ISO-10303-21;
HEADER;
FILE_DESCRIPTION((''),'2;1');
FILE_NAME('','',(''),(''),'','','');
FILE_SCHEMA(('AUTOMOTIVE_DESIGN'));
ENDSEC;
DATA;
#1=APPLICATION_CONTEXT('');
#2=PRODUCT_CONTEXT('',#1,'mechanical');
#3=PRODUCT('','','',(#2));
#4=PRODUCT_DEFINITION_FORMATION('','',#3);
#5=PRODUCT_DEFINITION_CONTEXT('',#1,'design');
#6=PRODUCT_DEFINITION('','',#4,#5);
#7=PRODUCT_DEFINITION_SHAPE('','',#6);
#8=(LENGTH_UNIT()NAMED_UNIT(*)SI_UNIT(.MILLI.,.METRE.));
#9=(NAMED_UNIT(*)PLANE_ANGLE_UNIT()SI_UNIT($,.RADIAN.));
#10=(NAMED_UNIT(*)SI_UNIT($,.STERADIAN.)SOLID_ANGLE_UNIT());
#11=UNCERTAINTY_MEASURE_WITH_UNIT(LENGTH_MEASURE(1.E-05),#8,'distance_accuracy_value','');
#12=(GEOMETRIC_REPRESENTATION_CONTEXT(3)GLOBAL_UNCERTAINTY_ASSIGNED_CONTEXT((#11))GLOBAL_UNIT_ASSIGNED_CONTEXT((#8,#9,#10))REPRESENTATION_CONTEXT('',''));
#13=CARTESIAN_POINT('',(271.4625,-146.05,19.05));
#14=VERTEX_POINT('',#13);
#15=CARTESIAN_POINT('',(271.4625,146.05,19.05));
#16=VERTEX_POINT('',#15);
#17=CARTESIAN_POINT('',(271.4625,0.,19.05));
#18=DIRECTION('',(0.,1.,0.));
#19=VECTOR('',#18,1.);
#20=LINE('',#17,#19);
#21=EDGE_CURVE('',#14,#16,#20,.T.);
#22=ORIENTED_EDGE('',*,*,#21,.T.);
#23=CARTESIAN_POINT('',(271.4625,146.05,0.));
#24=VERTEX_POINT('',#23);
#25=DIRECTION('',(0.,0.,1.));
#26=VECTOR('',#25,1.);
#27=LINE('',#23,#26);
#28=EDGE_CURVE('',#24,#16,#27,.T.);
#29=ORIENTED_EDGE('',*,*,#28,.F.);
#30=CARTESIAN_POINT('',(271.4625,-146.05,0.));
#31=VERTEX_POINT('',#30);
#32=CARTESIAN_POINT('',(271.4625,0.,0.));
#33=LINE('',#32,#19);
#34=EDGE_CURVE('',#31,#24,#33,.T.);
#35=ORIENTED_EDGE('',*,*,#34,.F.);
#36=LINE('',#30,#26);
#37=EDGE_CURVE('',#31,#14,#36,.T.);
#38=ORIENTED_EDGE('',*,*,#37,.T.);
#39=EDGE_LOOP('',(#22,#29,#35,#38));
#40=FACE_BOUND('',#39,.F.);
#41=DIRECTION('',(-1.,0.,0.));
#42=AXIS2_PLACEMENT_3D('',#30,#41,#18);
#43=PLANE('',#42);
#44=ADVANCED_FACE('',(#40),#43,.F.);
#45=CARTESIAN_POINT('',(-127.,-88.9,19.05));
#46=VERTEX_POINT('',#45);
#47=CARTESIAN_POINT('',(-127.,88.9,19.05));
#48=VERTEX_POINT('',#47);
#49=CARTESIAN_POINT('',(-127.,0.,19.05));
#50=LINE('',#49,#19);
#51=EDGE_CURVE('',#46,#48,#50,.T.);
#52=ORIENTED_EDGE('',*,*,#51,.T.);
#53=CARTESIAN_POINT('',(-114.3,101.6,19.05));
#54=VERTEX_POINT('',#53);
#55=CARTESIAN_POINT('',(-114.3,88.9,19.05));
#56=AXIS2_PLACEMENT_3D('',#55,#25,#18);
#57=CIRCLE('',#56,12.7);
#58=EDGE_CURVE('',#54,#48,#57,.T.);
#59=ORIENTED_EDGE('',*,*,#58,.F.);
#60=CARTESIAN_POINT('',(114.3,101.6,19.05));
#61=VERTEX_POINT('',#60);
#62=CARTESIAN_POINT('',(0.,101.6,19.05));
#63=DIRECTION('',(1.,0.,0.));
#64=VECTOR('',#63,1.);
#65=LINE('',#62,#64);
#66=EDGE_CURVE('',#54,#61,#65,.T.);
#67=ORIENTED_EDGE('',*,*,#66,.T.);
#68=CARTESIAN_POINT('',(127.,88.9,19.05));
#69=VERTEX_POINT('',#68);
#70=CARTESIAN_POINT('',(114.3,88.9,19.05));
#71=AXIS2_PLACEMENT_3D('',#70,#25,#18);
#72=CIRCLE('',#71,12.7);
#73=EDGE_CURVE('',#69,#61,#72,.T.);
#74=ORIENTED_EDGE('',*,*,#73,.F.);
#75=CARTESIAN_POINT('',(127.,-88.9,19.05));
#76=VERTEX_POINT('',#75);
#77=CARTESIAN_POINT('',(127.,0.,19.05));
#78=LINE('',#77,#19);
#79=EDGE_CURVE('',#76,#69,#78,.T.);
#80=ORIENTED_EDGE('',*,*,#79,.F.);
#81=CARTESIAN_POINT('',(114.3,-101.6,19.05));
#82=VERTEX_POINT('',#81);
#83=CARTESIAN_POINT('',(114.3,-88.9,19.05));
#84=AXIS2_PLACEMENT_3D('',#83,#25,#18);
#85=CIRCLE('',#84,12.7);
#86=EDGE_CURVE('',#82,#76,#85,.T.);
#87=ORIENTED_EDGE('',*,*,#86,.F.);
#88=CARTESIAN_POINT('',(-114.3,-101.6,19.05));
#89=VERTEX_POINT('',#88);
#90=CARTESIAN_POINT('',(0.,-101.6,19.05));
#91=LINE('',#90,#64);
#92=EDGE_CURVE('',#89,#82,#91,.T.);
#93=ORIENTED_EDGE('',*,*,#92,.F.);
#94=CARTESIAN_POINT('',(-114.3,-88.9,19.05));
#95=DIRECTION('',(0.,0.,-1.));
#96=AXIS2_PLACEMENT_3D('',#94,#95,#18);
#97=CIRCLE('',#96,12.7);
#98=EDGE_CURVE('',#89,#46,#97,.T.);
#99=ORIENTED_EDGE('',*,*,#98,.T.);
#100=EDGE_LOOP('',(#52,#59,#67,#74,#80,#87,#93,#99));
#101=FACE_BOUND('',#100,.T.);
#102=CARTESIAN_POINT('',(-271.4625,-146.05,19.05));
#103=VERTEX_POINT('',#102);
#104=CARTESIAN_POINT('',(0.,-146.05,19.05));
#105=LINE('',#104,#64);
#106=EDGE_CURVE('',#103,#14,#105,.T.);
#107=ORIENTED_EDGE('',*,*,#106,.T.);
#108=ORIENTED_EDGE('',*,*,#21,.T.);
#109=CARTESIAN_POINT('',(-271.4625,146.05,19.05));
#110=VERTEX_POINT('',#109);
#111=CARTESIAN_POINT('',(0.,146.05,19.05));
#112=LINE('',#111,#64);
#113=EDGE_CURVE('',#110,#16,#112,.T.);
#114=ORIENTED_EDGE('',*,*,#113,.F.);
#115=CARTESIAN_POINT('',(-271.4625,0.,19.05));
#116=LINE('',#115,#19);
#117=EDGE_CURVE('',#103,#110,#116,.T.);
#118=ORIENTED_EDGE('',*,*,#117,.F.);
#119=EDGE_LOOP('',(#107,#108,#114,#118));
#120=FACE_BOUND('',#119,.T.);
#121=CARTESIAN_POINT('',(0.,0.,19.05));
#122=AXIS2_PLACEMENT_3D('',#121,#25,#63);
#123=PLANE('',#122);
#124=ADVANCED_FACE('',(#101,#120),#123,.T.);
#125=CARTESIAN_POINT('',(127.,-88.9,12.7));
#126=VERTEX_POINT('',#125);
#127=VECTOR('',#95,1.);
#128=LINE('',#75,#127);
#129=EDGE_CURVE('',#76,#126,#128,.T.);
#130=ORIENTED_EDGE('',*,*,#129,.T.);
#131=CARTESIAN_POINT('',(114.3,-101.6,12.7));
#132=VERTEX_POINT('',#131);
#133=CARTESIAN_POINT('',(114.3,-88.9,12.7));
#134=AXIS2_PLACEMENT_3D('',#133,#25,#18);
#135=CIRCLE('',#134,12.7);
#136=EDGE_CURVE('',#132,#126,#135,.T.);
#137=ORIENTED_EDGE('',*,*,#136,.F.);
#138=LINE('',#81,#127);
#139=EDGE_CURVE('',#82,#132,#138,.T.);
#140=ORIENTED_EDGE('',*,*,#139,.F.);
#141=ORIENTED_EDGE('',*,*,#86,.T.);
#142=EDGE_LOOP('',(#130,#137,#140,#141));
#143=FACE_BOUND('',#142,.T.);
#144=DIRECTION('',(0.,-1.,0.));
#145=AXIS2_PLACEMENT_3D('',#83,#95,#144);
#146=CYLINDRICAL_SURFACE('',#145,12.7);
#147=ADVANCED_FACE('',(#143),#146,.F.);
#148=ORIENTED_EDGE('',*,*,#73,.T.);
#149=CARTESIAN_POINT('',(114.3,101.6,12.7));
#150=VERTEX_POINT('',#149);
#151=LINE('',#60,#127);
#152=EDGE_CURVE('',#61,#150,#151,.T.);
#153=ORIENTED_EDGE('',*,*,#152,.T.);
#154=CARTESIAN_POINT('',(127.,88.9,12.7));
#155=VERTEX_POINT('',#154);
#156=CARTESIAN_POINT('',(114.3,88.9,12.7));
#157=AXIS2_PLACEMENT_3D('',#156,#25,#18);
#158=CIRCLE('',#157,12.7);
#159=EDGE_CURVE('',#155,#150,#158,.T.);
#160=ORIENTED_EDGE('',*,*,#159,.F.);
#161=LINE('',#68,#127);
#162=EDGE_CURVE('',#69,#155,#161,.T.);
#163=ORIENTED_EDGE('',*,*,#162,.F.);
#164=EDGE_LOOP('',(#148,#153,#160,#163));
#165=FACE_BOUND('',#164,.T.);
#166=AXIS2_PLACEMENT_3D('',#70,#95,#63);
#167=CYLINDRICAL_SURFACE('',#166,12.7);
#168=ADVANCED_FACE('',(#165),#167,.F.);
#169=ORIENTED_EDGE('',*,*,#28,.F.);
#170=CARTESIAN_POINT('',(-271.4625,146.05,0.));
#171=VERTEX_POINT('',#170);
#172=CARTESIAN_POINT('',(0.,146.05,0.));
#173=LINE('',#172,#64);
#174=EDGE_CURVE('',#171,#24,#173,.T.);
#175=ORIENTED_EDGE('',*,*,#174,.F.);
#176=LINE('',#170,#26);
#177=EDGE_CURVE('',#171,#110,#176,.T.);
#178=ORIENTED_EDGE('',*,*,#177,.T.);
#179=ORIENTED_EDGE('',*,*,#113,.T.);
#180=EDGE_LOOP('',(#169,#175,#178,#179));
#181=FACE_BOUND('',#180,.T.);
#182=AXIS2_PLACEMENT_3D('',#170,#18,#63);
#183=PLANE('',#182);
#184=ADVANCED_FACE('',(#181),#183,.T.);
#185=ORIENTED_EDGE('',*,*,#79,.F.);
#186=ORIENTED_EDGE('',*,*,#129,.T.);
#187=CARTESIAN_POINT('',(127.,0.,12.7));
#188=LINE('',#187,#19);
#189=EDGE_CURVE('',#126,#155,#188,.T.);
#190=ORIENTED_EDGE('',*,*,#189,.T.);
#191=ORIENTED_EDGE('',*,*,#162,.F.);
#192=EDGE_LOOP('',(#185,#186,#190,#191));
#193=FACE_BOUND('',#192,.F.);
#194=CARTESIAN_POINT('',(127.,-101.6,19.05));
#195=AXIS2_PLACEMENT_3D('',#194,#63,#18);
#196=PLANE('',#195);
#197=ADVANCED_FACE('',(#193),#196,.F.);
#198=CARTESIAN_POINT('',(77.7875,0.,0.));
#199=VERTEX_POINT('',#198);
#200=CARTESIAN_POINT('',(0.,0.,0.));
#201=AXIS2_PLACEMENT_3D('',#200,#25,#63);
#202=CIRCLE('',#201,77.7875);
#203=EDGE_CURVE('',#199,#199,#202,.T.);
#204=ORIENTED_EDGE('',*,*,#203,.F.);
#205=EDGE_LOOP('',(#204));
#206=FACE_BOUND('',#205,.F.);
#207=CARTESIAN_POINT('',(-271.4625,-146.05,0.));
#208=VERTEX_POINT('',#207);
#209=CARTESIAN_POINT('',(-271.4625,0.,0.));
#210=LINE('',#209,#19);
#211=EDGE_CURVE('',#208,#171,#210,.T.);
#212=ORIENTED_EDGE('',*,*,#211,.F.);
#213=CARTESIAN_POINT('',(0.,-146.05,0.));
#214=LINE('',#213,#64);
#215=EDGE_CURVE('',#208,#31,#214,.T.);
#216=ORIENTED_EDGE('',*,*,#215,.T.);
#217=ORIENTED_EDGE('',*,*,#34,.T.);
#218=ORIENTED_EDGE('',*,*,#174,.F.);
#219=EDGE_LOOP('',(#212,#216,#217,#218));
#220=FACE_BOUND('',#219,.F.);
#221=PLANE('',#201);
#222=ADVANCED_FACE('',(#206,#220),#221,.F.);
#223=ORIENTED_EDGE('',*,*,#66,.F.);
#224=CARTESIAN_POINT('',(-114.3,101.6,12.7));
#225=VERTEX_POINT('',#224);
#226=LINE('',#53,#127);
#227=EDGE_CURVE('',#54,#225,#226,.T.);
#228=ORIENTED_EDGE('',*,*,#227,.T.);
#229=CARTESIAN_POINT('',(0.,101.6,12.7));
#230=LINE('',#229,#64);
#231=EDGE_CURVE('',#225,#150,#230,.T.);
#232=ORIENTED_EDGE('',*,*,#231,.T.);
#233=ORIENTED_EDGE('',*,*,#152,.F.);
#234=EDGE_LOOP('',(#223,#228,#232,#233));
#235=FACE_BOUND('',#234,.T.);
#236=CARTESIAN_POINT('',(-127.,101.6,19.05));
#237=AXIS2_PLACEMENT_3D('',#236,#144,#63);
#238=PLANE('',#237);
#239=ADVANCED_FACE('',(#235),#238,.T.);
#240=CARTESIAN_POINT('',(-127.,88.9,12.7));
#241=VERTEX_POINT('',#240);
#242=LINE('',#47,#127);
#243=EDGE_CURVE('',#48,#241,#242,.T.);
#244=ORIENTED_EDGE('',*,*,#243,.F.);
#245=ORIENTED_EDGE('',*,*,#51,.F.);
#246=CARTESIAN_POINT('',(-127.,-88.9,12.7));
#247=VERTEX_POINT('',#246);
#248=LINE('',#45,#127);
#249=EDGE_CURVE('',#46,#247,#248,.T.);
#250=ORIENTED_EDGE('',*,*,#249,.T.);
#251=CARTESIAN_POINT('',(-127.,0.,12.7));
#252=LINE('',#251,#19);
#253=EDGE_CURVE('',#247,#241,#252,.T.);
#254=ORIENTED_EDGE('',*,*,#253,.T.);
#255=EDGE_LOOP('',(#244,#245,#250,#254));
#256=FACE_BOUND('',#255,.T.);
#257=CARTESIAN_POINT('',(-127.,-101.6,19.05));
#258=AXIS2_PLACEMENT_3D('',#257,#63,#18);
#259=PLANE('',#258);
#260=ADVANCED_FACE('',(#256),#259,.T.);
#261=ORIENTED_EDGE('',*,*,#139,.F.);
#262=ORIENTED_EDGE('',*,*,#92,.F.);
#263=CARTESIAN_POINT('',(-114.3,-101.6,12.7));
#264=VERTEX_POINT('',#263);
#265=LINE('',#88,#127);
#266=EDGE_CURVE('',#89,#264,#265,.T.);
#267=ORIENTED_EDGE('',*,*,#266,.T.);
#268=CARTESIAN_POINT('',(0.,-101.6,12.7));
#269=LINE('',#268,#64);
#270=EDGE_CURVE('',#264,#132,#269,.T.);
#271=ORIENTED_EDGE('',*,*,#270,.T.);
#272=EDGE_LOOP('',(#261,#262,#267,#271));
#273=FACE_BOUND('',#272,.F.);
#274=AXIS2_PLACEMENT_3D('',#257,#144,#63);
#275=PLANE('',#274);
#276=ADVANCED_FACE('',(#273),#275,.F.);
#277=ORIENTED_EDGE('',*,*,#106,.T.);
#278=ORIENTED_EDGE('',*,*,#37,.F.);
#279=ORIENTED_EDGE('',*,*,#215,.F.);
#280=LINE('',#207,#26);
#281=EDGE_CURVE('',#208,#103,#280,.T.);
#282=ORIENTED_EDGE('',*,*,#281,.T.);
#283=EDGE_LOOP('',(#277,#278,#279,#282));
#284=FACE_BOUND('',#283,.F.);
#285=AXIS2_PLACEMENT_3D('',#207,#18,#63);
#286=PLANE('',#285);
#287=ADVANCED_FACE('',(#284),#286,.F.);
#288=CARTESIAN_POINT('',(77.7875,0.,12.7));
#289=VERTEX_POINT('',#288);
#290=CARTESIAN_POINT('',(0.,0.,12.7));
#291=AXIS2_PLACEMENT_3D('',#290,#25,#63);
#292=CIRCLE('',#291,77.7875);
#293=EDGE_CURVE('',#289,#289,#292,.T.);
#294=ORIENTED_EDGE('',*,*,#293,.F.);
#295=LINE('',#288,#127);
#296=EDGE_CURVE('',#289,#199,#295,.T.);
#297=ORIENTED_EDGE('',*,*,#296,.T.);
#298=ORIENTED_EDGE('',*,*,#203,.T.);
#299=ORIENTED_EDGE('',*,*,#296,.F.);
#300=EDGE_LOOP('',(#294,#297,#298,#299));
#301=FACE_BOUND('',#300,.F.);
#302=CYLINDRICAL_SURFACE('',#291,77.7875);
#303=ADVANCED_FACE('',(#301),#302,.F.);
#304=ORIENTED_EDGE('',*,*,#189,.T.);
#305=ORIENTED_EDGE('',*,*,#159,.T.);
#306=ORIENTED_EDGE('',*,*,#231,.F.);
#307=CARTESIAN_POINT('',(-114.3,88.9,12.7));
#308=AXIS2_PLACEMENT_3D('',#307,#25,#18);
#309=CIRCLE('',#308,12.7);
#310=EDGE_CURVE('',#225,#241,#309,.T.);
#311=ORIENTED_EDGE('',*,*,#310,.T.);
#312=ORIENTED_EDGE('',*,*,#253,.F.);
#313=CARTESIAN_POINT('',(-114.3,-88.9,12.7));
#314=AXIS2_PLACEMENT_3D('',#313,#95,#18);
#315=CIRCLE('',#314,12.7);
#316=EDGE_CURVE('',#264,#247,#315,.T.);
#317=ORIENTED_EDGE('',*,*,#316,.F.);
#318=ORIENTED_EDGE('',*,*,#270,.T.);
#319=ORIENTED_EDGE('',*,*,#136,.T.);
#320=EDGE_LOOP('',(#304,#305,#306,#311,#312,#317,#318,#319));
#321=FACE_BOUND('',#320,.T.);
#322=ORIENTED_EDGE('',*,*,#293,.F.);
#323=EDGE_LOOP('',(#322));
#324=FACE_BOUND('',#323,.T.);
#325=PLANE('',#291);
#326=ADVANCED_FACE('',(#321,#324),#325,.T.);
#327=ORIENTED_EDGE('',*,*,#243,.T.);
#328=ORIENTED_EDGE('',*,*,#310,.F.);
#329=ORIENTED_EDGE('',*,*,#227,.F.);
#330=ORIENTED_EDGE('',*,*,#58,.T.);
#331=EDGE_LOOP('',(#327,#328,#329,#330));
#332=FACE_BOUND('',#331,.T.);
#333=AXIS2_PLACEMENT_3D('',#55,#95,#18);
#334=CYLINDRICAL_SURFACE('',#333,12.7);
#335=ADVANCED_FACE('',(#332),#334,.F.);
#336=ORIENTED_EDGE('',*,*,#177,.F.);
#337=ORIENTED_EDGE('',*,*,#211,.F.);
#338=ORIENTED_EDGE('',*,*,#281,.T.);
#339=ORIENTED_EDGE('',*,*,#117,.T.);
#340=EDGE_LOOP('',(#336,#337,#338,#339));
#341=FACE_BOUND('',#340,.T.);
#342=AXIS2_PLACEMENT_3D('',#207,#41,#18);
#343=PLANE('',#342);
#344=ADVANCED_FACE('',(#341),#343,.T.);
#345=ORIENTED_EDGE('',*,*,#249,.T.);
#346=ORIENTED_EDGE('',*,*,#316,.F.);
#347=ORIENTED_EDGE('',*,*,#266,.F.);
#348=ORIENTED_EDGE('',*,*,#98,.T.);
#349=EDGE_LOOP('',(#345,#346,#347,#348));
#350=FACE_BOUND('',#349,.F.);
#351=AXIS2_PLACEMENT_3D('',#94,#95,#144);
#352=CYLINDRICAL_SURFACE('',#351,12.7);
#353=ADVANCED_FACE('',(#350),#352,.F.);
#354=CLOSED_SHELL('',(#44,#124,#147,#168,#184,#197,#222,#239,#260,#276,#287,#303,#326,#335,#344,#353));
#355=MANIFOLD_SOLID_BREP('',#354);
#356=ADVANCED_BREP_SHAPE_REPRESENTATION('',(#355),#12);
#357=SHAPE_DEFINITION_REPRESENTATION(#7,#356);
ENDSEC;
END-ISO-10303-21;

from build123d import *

# Parameters (mm, degrees)
F0_W     = 542.925
F0_H     = 292.1
F1_DEPTH = 19.05
F2_W     = 254
F2_H     = 203.2
F3_DEPTH = 6.35
F4_R     = 12.7
F5_R     = 77.7875
F6_DEPTH = 12.7


with BuildPart() as f1:
    # F0 (on Top) → F1 (new body)
    with BuildSketch(Plane.XY):
        Rectangle(F0_W, F0_H)
    extrude(amount=F1_DEPTH)

    # F2 (on face) → F3 (cut)
    with BuildSketch(Plane.XY.offset(19.05)):
        Rectangle(F2_W, F2_H)
    extrude(amount=-F3_DEPTH, mode=Mode.SUBTRACT)

    # F4
    f4_edges = [f1.edges().sort_by_distance(p)[0] for p in [
        (127, -101.6, 15.875),
        (-127, -101.6, 15.875),
        (-127, 101.6, 15.875),
        (127, 101.6, 15.875),
    ]]
    fillet(f4_edges, radius=F4_R)

    # F5 (on face) → F6 (cut, through all)
    with BuildSketch(Plane.XY.offset(12.7)):
        Circle(F5_R)
    extrude(amount=-F6_DEPTH, mode=Mode.SUBTRACT)


solid = f1.part
